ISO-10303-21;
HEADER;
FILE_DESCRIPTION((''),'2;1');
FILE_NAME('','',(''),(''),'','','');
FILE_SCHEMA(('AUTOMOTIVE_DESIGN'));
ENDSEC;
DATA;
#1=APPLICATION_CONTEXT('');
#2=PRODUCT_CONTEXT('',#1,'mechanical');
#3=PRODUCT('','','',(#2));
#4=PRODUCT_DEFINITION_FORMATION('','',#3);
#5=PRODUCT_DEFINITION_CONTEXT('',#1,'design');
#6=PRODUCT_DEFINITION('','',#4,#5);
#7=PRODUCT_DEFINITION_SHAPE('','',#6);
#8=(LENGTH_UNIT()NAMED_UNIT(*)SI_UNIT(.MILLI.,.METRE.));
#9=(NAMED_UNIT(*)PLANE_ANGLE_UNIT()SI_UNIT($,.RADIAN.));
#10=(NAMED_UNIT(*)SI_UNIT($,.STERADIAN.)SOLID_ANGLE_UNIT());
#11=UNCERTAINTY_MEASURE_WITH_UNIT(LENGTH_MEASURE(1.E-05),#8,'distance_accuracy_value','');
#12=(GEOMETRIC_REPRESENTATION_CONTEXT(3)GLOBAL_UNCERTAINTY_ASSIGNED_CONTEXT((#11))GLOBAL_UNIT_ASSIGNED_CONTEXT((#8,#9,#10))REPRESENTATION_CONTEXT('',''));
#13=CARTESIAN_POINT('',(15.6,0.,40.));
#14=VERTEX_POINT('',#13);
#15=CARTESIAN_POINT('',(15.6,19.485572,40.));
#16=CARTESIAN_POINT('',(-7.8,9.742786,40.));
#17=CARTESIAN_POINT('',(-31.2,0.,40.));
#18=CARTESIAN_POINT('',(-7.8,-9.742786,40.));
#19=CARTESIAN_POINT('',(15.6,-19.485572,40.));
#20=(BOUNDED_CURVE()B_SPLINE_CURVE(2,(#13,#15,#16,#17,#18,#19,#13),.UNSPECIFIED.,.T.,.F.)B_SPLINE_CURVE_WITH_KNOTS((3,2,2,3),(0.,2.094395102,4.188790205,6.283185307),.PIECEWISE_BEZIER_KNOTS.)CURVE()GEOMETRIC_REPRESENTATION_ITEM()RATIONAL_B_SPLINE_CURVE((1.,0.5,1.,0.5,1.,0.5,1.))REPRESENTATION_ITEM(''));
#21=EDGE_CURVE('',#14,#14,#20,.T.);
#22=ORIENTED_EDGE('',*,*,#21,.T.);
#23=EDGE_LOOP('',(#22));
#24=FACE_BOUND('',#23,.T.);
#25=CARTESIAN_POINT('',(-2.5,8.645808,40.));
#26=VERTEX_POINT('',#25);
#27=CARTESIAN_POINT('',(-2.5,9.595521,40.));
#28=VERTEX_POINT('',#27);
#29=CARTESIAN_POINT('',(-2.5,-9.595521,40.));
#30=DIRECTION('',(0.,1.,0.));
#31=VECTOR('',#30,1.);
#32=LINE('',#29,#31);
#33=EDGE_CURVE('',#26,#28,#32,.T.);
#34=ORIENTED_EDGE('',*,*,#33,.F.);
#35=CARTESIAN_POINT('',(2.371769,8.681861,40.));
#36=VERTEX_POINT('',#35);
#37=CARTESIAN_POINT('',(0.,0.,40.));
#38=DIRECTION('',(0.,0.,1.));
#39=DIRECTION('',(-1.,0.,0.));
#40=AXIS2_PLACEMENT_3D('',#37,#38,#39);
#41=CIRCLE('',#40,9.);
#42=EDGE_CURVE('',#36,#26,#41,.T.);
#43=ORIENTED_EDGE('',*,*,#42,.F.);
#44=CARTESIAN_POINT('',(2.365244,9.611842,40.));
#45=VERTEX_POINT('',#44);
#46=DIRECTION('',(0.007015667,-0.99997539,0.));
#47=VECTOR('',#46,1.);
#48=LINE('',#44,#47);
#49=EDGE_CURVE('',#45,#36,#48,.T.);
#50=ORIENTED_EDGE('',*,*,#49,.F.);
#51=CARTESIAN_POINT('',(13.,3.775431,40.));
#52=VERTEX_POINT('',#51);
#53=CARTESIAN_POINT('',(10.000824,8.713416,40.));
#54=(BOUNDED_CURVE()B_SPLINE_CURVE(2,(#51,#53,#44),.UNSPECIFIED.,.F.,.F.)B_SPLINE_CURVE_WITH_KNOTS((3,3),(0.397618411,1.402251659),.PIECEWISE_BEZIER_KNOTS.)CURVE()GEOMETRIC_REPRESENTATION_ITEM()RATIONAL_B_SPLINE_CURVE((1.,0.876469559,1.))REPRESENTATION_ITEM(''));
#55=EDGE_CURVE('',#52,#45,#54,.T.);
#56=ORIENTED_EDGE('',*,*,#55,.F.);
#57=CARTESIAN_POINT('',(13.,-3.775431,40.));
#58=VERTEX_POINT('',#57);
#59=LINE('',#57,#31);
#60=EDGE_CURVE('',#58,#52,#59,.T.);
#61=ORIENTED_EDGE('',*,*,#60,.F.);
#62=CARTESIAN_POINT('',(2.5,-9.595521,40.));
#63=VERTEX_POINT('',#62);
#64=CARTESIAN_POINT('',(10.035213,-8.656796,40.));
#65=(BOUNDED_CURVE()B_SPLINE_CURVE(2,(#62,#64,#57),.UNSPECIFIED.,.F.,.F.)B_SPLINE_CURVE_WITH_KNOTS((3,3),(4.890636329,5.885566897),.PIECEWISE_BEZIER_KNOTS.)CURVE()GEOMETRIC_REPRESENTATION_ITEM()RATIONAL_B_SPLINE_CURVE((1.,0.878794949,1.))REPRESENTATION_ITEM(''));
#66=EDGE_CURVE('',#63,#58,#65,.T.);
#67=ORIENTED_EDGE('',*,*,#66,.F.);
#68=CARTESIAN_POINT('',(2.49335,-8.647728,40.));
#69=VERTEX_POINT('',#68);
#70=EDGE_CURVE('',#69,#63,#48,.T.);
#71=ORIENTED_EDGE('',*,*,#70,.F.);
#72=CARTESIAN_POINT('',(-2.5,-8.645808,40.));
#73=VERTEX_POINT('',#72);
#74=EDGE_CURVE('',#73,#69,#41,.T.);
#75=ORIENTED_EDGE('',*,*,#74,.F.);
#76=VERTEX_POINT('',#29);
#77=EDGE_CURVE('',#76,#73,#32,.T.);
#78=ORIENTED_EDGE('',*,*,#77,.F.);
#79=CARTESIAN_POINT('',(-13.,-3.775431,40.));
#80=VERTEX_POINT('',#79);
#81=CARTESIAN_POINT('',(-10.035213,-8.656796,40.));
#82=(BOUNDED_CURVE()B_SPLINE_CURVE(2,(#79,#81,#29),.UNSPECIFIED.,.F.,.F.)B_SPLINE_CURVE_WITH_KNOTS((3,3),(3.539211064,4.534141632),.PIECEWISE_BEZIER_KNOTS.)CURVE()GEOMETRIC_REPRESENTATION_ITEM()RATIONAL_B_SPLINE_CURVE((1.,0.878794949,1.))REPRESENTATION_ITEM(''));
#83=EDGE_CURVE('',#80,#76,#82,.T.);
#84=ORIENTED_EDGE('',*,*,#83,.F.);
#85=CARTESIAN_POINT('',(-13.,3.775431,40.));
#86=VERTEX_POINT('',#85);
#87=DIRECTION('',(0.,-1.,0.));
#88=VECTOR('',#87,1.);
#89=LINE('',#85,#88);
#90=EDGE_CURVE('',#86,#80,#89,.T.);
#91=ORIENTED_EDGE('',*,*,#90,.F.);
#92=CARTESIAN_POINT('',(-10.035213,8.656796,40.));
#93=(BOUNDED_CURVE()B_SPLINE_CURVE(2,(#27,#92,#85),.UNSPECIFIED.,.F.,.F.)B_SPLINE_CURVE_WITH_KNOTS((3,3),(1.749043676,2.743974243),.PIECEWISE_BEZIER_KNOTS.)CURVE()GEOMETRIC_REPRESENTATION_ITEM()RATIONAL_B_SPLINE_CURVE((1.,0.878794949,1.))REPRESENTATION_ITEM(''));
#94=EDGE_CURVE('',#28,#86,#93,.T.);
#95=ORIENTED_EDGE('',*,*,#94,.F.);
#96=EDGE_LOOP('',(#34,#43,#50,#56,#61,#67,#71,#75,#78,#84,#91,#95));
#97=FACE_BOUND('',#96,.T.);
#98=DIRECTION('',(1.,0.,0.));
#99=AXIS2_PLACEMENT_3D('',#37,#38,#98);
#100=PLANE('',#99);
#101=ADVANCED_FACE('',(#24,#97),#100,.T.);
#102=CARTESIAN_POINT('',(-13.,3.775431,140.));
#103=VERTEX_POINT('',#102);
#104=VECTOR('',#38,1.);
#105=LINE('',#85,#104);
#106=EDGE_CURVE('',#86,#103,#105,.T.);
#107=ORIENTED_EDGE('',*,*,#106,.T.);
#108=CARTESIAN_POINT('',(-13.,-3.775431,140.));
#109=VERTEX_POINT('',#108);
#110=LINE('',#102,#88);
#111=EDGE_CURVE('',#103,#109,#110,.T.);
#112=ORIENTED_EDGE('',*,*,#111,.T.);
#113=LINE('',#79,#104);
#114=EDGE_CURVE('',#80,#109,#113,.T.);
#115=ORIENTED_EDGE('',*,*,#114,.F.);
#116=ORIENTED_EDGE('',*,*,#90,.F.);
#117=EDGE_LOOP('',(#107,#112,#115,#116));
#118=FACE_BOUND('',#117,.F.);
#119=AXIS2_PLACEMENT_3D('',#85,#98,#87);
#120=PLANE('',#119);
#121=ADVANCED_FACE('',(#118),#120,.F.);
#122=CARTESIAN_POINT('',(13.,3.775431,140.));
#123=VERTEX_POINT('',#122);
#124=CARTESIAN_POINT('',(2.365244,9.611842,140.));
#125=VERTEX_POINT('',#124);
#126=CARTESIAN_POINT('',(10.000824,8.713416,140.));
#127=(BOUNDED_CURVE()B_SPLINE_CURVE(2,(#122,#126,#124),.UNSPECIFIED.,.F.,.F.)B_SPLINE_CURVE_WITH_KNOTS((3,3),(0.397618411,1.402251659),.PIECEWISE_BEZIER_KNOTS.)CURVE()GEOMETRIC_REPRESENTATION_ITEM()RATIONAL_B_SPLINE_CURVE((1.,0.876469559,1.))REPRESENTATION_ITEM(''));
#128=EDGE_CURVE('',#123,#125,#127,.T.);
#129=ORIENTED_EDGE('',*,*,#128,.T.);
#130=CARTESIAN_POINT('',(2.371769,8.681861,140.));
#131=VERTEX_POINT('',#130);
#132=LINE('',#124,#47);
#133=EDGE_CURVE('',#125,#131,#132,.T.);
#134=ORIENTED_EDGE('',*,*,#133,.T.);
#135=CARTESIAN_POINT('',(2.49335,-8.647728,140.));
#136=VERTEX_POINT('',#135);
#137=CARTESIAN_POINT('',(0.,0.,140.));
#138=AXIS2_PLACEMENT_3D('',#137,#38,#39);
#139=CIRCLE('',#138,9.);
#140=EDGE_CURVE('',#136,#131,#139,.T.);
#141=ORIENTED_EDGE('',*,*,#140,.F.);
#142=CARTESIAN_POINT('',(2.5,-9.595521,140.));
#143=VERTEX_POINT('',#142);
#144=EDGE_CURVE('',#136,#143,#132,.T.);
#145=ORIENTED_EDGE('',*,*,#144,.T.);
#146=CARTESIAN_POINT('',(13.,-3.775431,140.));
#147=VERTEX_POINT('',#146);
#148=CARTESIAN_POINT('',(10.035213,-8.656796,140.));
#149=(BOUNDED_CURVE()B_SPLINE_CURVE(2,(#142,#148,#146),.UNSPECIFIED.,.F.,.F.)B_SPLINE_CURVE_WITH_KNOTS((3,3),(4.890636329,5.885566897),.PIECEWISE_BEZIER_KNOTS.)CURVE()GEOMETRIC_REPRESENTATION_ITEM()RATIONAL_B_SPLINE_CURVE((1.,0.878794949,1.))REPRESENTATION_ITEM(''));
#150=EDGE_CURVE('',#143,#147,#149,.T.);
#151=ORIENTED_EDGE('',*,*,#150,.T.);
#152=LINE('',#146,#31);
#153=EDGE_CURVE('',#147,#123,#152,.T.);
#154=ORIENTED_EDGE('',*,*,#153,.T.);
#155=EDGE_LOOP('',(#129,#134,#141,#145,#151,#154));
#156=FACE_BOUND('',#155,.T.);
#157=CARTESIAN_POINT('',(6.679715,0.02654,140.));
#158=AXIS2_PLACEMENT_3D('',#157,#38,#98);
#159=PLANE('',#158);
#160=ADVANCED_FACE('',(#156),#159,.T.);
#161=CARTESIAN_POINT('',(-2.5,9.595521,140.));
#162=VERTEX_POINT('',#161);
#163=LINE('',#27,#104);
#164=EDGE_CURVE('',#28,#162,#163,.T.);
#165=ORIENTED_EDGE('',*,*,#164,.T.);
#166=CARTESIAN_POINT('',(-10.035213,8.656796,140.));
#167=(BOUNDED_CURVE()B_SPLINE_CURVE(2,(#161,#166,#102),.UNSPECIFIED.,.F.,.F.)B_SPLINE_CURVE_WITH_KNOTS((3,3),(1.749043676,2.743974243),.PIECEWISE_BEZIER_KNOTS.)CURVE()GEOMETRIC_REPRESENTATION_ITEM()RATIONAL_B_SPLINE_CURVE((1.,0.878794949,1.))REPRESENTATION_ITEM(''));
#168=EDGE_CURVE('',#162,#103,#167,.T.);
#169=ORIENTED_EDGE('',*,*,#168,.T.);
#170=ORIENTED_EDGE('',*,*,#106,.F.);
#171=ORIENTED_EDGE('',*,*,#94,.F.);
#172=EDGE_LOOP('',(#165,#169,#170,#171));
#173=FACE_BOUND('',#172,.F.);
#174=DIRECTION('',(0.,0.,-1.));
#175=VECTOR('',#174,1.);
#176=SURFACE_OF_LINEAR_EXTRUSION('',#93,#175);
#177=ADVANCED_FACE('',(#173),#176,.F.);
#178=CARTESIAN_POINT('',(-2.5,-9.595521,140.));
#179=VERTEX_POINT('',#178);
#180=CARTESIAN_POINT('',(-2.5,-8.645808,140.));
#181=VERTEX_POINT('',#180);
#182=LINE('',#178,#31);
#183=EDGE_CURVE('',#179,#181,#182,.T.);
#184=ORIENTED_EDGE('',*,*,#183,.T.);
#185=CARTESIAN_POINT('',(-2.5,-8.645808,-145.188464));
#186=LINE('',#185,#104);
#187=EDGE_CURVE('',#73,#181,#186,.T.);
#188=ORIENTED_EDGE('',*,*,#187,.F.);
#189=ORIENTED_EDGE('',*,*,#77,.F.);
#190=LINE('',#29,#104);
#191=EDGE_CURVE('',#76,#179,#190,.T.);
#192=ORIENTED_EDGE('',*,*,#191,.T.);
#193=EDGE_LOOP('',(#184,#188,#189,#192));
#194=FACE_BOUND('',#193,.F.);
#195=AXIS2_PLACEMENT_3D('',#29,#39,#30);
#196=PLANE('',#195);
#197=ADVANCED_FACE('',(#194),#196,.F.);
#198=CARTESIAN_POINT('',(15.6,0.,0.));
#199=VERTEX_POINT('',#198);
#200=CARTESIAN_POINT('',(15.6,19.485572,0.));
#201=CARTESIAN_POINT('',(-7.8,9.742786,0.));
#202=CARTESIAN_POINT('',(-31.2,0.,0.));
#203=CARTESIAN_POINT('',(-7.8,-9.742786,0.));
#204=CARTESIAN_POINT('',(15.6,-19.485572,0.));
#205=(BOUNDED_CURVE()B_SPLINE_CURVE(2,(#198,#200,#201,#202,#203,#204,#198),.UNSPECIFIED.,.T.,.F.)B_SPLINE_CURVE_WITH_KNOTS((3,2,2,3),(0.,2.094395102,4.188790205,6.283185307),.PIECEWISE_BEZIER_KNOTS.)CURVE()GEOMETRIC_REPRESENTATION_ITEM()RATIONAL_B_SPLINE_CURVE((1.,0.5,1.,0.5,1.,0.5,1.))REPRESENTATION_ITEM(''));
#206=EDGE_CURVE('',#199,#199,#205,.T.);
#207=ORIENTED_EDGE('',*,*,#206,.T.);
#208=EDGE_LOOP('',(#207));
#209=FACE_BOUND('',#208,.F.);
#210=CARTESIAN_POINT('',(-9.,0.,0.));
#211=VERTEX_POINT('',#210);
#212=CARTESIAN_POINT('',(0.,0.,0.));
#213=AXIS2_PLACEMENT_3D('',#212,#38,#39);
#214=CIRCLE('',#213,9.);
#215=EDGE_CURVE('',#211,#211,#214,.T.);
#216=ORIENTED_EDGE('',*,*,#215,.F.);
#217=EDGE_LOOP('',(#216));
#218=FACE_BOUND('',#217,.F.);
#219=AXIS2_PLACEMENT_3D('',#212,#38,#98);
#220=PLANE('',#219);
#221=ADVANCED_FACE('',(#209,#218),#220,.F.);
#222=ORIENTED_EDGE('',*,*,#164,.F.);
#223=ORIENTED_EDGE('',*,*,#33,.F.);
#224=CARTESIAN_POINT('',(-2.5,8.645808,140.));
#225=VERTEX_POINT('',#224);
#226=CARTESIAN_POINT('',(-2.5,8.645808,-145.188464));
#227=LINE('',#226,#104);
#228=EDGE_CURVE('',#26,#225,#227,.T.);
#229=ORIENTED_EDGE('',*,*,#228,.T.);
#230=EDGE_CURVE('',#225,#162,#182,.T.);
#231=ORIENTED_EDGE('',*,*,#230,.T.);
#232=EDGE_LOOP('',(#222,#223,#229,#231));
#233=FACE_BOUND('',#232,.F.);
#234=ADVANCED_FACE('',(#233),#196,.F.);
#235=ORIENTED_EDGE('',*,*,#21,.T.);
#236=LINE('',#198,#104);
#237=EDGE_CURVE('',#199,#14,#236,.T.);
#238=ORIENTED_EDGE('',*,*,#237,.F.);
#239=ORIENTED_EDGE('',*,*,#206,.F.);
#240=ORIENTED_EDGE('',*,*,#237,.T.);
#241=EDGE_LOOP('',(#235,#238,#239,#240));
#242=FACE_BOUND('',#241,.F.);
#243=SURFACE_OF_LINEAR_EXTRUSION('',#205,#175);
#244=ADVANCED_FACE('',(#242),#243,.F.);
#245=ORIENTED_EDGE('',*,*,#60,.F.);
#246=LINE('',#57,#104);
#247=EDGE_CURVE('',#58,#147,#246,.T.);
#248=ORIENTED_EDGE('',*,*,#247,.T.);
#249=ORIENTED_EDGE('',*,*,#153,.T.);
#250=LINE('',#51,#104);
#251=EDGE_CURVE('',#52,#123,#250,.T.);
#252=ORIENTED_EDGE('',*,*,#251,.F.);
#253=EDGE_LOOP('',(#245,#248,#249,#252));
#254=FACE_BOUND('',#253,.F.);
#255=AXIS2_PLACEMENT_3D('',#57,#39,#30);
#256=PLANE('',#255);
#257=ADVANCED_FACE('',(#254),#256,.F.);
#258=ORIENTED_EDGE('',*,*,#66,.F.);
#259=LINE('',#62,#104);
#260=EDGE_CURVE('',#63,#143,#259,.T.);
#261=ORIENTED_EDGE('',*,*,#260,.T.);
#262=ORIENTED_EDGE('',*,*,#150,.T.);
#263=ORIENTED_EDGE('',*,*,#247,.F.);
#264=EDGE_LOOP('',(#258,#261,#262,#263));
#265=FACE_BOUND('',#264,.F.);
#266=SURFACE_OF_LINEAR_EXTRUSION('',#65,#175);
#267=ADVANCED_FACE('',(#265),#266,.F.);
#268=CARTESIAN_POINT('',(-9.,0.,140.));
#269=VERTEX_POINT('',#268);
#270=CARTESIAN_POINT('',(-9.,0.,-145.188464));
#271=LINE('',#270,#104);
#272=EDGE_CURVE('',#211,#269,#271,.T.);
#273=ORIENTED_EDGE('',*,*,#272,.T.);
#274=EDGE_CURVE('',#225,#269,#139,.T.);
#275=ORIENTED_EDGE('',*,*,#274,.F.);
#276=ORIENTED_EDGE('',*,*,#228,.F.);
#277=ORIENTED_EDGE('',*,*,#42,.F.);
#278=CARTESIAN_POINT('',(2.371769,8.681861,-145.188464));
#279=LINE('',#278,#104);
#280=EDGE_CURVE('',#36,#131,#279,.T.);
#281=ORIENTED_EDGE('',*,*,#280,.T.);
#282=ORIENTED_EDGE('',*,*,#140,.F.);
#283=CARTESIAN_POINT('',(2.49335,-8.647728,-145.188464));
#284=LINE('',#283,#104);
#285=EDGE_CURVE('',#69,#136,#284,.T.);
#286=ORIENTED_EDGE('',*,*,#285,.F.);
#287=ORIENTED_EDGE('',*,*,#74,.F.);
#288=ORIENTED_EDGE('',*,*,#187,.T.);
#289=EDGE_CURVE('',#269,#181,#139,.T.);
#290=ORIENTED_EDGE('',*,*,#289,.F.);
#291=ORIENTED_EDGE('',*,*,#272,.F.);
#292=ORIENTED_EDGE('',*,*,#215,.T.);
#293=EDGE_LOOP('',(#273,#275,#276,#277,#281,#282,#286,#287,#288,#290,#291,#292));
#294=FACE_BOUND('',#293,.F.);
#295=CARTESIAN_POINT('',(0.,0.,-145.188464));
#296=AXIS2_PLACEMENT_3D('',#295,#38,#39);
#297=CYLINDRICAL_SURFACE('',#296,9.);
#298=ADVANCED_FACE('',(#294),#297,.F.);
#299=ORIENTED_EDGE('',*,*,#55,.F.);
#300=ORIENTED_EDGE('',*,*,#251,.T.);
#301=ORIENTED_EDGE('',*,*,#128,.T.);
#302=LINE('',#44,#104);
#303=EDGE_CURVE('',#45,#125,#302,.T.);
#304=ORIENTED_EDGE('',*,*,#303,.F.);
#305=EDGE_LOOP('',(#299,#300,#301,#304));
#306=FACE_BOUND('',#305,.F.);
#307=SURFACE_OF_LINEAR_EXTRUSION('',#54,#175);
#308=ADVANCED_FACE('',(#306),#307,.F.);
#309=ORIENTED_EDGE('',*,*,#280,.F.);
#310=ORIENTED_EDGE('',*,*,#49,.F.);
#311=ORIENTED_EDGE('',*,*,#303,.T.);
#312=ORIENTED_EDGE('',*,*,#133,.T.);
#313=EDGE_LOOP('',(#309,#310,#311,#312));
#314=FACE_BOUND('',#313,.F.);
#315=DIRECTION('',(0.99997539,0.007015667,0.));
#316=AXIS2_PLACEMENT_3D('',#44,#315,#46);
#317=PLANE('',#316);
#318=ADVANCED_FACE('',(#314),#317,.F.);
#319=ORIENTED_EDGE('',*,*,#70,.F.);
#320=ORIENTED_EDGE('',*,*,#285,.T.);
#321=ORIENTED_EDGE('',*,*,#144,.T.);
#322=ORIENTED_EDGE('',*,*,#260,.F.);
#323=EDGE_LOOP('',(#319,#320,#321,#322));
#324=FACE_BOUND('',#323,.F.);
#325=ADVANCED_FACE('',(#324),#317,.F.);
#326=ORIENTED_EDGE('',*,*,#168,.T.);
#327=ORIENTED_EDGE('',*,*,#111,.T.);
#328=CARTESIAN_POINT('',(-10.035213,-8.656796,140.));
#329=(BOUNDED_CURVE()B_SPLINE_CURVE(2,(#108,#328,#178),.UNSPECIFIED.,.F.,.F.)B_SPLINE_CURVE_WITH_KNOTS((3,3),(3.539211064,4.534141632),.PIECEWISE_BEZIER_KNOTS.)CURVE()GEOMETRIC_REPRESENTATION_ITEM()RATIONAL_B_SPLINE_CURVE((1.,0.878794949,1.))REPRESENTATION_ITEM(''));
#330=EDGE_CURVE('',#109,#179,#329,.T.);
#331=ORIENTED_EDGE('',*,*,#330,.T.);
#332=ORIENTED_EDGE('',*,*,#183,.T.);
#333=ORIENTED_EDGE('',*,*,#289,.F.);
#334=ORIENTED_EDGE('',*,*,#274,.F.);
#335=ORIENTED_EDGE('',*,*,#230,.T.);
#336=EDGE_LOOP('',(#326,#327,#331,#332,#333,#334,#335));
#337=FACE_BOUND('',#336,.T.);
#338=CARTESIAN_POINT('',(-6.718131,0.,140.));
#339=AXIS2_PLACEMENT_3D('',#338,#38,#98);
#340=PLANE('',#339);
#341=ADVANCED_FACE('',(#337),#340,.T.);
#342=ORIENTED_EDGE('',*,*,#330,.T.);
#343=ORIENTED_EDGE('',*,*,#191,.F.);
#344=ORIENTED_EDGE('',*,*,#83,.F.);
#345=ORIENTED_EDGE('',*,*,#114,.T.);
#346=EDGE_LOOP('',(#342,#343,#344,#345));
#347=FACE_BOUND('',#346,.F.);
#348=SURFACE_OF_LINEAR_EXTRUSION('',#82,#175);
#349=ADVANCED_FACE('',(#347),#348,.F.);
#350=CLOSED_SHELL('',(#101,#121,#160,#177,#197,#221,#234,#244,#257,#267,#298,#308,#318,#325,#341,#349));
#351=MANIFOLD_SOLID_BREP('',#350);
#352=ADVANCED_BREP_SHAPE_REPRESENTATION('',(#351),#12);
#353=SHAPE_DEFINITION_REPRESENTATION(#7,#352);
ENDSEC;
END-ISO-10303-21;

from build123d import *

# Parameters (mm, degrees)
F1_DEPTH = 40
F3_DEPTH = 100
F4_D     = 18


with BuildPart() as f1:
    # F0 (on Top) → F1 (new body)
    with BuildSketch(Plane.XY):
        with BuildLine():
            add(Edge.make_bspline(
                [(15.6, 0), (15.6, 19.4855715851), (-7.8, 9.7427857926), (-31.2, 0), (-7.8, -9.7427857926), (15.6, -19.4855715851), (15.6, 0)],
                knots=[0, 0, 0, 2.0943951024, 2.0943951024, 4.1887902048, 4.1887902048, 6.2831853072, 6.2831853072, 6.2831853072], degree=2, weights=[1, 0.5, 1, 0.5, 1, 0.5, 1]))
        make_face()
    extrude(amount=F1_DEPTH)

    # F2 (on face) → F3 (join)
    with BuildSketch(Plane.XY.offset(40)):
        with BuildLine():
            Line((13, -3.7754305964), (13, 3.7754305964))
            add(Edge.make_bspline(
                [(13, 3.7754305964), (10.0008243028, 8.7134157016), (2.36524422, 9.6118419115)],
                knots=[0.3976184106, 0.3976184106, 0.3976184106, 1.4022516591, 1.4022516591, 1.4022516591], degree=2, weights=[1, 0.8764695592, 1]))
            Line((2.36524422, 9.6118419115), (2.5, -9.5955205899))
            add(Edge.make_bspline(
                [(2.5, -9.5955205899), (10.0352130742, -8.6567963974), (13, -3.7754305964)],
                knots=[4.8906363292, 4.8906363292, 4.8906363292, 5.8855668966, 5.8855668966, 5.8855668966], degree=2, weights=[1, 0.8787949492, 1]))
        make_face()
        with BuildLine():
            add(Edge.make_bspline(
                [(-2.5, 9.5955205899), (-10.0352130742, 8.6567963974), (-13, 3.7754305964)],
                knots=[1.7490436756, 1.7490436756, 1.7490436756, 2.743974243, 2.743974243, 2.743974243], degree=2, weights=[1, 0.8787949492, 1]))
            Line((-13, 3.7754305964), (-13, -3.7754305964))
            add(Edge.make_bspline(
                [(-13, -3.7754305964), (-10.0352130742, -8.6567963974), (-2.5, -9.5955205899)],
                knots=[3.5392110642, 3.5392110642, 3.5392110642, 4.5341416316, 4.5341416316, 4.5341416316], degree=2, weights=[1, 0.8787949492, 1]))
            Line((-2.5, -9.5955205899), (-2.5, 9.5955205899))
        make_face()
    extrude(amount=F3_DEPTH)

    # F4 (through all)
    with Locations(Plane(origin=(0, 0, 0), x_dir=(1, 0, 0), z_dir=(0, 0, -1))):
        with Locations((0, 0)):
            Hole(F4_D / 2)


solid = f1.part
